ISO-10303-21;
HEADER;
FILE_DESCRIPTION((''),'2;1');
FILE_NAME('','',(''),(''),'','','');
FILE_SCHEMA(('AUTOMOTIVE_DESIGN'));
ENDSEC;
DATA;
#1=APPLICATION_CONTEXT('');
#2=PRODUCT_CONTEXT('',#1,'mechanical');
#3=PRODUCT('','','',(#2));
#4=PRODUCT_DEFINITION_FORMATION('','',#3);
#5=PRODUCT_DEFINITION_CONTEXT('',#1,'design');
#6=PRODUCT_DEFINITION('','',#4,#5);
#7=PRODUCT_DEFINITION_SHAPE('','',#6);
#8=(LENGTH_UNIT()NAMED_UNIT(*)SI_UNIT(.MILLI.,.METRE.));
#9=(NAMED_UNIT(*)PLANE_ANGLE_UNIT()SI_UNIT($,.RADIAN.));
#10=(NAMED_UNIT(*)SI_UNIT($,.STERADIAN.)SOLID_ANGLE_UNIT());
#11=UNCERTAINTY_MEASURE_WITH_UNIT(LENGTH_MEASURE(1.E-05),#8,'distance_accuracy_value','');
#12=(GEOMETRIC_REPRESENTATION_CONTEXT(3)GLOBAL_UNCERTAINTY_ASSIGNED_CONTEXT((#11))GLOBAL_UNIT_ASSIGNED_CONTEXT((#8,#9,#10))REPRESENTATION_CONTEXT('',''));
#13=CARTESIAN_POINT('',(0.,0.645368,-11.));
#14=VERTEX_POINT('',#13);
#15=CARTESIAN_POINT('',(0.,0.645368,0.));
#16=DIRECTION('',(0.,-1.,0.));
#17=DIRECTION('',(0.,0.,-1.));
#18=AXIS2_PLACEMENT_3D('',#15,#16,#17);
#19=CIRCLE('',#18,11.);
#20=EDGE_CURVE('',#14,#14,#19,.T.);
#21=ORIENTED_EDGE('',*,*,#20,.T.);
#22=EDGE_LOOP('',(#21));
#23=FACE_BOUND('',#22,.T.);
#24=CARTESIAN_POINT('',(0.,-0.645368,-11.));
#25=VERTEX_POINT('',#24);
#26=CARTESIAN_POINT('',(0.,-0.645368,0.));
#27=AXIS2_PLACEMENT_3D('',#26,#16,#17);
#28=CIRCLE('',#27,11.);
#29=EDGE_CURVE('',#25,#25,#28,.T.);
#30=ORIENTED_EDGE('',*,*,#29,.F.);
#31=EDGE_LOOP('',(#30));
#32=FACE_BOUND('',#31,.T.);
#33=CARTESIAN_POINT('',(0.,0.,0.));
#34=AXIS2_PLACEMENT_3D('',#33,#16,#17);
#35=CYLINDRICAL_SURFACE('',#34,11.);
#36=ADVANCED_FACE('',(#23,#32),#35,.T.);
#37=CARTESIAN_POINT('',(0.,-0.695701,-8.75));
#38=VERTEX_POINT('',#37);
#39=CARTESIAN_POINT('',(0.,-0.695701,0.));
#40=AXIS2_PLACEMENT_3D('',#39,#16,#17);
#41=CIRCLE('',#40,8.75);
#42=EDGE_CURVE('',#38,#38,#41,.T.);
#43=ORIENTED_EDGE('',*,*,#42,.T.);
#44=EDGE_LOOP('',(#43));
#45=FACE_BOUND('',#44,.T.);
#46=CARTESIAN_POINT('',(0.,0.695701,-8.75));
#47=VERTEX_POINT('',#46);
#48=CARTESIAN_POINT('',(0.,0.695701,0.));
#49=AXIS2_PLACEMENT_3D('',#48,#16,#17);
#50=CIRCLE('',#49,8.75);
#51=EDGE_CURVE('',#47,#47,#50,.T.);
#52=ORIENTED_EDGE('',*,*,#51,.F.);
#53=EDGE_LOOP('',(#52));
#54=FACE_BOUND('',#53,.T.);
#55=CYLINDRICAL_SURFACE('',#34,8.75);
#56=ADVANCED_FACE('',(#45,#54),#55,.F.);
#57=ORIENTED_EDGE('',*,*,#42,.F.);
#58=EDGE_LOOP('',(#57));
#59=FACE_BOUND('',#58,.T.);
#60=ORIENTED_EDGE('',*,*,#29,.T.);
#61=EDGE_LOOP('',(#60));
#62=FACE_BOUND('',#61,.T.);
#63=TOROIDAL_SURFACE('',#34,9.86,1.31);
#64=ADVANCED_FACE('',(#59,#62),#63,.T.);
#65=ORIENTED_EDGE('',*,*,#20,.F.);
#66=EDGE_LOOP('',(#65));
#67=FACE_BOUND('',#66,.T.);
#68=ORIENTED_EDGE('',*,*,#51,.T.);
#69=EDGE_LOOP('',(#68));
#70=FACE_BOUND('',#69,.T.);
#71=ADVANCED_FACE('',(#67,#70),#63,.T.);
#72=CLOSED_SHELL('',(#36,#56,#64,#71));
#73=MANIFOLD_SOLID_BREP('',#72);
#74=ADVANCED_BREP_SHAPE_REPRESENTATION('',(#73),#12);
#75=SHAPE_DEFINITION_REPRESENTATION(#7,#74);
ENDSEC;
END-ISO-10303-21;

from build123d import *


with BuildPart() as part:
    # Schizzo1 → Rivoluzione1 (revolve)
    with BuildSketch(Plane.XY, mode=Mode.PRIVATE) as rivoluzione1_sk:
        with BuildLine():
            ThreePointArc((-11, -0.645368112), (-9.889297646, -1.309672344), (-8.75, -0.695701085))
            Line((-8.75, -0.695701085), (-8.75, 0.695701085))
            ThreePointArc((-8.75, 0.695701085), (-9.889297646, 1.309672344), (-11, 0.645368112))
            Line((-11, 0.645368112), (-11, -0.645368112))
        make_face()
    revolve(rivoluzione1_sk.sketch.rotate(Axis((0, 0, 0), (0, 1, 0)), 270), axis=Axis((0, 0, 0), (0, 1, 0)))


solid = part.part
